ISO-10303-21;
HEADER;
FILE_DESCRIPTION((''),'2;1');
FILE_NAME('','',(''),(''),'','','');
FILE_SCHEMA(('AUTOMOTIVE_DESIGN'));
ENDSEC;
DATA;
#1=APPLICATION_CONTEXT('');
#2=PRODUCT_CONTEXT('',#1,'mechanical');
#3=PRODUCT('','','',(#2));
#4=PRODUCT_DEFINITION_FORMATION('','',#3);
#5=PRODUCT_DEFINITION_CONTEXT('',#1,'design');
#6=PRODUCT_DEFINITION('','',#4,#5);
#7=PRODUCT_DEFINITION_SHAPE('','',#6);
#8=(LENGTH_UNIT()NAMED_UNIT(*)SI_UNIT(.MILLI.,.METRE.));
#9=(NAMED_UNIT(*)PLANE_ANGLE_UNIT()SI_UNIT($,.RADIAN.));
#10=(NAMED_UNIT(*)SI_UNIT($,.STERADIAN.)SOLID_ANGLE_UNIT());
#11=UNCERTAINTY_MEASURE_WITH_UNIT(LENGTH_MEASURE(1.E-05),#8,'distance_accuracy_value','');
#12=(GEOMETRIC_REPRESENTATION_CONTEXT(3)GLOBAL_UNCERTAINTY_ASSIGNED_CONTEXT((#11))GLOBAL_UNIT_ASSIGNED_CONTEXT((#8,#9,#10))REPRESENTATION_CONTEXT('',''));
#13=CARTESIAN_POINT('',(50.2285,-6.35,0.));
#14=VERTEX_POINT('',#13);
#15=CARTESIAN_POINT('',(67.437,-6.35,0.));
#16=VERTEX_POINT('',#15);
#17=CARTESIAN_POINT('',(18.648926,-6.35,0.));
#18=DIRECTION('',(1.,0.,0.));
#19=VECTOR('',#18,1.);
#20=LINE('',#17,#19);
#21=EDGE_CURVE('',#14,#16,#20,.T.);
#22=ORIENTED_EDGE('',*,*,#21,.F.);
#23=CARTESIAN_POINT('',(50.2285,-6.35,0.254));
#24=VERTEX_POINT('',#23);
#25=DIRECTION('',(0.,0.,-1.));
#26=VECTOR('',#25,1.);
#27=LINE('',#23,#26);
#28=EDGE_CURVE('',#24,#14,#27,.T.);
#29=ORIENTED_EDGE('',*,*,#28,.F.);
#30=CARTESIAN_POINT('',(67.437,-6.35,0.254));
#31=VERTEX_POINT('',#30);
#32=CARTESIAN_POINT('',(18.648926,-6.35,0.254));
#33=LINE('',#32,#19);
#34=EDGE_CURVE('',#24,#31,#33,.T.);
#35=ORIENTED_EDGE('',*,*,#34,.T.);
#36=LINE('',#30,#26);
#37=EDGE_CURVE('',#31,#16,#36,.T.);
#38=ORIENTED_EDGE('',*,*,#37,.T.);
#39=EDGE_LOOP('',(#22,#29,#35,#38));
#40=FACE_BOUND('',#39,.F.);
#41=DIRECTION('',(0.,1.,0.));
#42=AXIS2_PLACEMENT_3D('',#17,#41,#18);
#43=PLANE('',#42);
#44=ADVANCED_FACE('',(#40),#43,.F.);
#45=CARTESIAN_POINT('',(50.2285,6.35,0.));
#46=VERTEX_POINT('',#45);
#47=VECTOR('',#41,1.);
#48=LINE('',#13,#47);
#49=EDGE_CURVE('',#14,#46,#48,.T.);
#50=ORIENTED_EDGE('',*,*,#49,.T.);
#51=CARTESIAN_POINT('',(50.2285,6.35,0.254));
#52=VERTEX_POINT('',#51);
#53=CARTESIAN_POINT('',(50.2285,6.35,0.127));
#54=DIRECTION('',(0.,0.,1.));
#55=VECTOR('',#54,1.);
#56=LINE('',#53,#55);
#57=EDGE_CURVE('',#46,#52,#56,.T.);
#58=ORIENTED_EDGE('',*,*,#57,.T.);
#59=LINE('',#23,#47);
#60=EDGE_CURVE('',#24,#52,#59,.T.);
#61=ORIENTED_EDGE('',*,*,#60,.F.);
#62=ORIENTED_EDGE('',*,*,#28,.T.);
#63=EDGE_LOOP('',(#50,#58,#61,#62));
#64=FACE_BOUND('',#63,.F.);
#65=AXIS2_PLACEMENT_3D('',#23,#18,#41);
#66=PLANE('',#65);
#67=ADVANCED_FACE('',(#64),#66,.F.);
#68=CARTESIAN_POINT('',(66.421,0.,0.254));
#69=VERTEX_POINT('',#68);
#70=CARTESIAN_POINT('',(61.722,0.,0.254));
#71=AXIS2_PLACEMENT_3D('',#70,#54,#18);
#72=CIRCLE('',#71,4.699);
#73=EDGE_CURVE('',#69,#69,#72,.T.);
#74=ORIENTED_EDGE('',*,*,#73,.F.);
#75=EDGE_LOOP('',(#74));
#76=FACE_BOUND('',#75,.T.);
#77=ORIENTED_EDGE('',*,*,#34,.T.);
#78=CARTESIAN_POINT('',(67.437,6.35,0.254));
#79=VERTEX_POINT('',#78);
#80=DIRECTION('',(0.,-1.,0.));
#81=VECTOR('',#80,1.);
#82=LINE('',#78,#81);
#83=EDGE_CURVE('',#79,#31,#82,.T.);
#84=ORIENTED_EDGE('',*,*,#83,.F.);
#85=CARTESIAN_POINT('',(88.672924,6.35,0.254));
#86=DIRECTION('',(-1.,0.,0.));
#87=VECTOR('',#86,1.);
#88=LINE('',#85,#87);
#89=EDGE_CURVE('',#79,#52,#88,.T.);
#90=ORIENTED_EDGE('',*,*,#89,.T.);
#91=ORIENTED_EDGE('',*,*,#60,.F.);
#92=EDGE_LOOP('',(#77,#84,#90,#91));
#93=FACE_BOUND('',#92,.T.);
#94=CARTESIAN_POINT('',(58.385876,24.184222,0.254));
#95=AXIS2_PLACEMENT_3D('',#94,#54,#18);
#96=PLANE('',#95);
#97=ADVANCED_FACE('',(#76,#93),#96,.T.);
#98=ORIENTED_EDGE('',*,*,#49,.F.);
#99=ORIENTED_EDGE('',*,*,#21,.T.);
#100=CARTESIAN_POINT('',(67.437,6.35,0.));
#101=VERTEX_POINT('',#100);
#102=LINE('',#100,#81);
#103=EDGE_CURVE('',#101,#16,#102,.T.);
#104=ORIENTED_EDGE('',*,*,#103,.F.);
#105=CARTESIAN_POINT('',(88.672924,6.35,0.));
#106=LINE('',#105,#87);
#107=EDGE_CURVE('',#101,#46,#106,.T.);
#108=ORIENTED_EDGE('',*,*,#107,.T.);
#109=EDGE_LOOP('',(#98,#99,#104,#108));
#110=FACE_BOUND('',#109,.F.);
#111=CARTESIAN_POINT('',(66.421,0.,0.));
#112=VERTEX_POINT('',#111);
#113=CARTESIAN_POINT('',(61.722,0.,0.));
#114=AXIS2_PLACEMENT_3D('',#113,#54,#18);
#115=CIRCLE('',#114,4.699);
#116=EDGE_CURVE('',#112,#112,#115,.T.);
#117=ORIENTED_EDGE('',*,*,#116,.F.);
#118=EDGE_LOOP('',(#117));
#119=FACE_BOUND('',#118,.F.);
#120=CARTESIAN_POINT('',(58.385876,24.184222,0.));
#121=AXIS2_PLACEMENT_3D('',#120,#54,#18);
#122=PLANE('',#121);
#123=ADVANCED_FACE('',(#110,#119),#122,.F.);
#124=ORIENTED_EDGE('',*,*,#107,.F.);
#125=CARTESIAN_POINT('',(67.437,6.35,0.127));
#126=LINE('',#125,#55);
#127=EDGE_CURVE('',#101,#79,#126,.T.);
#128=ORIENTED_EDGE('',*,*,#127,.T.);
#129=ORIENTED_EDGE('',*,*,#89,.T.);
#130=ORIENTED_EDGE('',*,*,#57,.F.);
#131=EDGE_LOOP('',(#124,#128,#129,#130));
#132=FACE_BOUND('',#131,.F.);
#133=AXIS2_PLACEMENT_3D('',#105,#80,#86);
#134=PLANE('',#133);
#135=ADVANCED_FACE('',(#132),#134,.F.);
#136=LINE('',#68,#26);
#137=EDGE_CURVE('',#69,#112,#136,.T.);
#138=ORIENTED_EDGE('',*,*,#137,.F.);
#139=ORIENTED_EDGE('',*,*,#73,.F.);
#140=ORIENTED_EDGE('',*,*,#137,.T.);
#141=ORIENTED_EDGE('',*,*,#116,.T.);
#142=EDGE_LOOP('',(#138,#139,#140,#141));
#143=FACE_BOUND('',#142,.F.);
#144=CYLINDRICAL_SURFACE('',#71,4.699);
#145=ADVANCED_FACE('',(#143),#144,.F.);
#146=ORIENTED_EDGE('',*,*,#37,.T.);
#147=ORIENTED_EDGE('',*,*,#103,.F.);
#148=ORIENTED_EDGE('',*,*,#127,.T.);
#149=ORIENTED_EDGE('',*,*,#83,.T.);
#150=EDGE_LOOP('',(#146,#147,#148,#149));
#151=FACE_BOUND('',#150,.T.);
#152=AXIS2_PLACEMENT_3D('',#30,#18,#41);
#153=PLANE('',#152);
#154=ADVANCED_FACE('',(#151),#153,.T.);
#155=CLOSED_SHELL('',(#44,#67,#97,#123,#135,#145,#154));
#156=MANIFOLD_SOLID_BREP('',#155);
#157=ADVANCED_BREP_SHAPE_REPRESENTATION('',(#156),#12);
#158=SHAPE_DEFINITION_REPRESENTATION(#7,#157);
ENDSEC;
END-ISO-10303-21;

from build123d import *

# Parameters (mm, degrees)
BOSS_EXTRUDE1_DEPTH = 0.254
SKETCH2_R           = 4.699
CUT_EXTRUDE1_DEPTH  = 1.254
SKETCH3_W           = 2.54
SKETCH3_H           = 0.635
CUT_EXTRUDE2_DEPTH  = 1.254
SKETCH5_OUTSIDE_W   = 121.447
SKETCH5_OUTSIDE_H   = 109.618
SKETCH5_OUTSIDE_W_2 = 17.2085
SKETCH5_OUTSIDE_H_2 = 15.24
CUT_EXTRUDE5_DEPTH  = 1.254


with BuildPart() as part:
    # Sketch1 → Boss-Extrude1 (new body)
    with BuildSketch(Plane.XY):
        with BuildLine():
            Line((67.21146711, 76.191723231), (8.696654013, 17.676910134))
            Line((8.696654013, 17.676910134), (7.228954972, 14.133571205))
            ThreePointArc((7.228954972, 14.133571205), (14.666587579, 6.075099489), (15.105587123, -4.88230096))
            Line((15.105587123, -4.88230096), (18.648926052, -6.35))
            Line((18.648926052, -6.35), (101.401368334, -6.35))
            ThreePointArc((101.401368334, -6.35), (93.866160503, 38.880636728), (67.21146711, 76.191723231))
        make_face()
        with BuildLine():
            Line((88.672924278, 6.35), (27.86051193, 6.35))
            ThreePointArc((27.86051193, 6.35), (26.399857642, 10.93517908), (24.190484974, 15.210228852))
            Line((24.190484974, 15.210228852), (67.191354125, 58.211098004))
            ThreePointArc((67.191354125, 58.211098004), (82.13289044, 34.020557137), (88.672924278, 6.35))
        make_face(mode=Mode.SUBTRACT)
    extrude(amount=BOSS_EXTRUDE1_DEPTH)

    # Sketch2 → Cut-Extrude1 (cut, through all)
    with BuildSketch(Plane.XY.offset(0.254)):
        with Locations((22.225, 0)):
            Circle(SKETCH2_R)
        with Locations((36.195, 0)):
            Circle(SKETCH2_R)
        with Locations((61.722, 0)):
            Circle(SKETCH2_R)
        with Locations((75.692, 0)):
            Circle(SKETCH2_R)
        with Locations((95.25, 0)):
            Circle(SKETCH2_R)
        with Locations((15.715448212, 15.715448212)):
            Circle(SKETCH2_R)
        with Locations((25.593729945, 25.593729945)):
            Circle(SKETCH2_R)
        with Locations((43.644044748, 43.644044748)):
            Circle(SKETCH2_R)
        with Locations((53.522326482, 53.522326482)):
            Circle(SKETCH2_R)
        with Locations((92.004434954, 24.652514046)):
            Circle(SKETCH2_R)
        with Locations((82.48891971, 47.625)):
            Circle(SKETCH2_R)
        with Locations((67.351920908, 67.351920908)):
            Circle(SKETCH2_R)
    extrude(amount=-CUT_EXTRUDE1_DEPTH, mode=Mode.SUBTRACT)

    # Sketch3 → Cut-Extrude2 (cut, through all)
    with BuildSketch(Plane.XY.offset(0.254)):
        Polygon((15.266435406, 24.246691527), (17.06248663, 26.042742751), (17.511499436, 25.593729945), (15.715448212, 23.797678721), align=None)
        Polygon((44.991083167, 53.971339288), (43.195031942, 52.175288063), (43.644044748, 51.726275257), (45.440095973, 53.522326482), align=None)
        with Locations((29.21, -6.0325)):
            Rectangle(SKETCH3_W, SKETCH3_H)
        with Locations((68.707, -6.0325)):
            Rectangle(SKETCH3_W, SKETCH3_H)
        Polygon((29.230733674, 38.210989795), (31.026784898, 40.007041019), (31.475797704, 39.558028213), (29.67974648, 37.761976989), align=None)
        Polygon((56.845021246, 65.825277367), (55.048970022, 64.029226143), (55.497982828, 63.580213337), (57.294034052, 65.376264561), align=None)
        with Locations((48.9585, -6.0325)):
            Rectangle(SKETCH3_W, SKETCH3_H)
        with Locations((85.471, -6.0325)):
            Rectangle(SKETCH3_W, SKETCH3_H)
        Polygon((99.935462164, 14.437711971), (100.266998693, 11.919442024), (101.526133667, 12.085210288), (101.194597138, 14.603480236), align=None)
        Polygon((93.765504959, 37.464305742), (94.938831965, 37.950313702), (93.966816047, 40.296967714), (92.793489041, 39.810959755), align=None)
        Polygon((79.327792988, 62.471156422), (80.874047017, 60.456038938), (81.88160576, 61.229165953), (80.33535173, 63.244283437), align=None)
        Polygon((13.593916116, 7.005422516), (14.565932035, 4.658768503), (15.739259041, 5.144776462), (14.767243123, 7.491430475), align=None)
    extrude(amount=-CUT_EXTRUDE2_DEPTH, mode=Mode.SUBTRACT)

    # Sketch5 outside → Cut-Extrude5 (cut, through all)
    with BuildSketch(Plane.XY.offset(0.254)):
        with Locations((54.4145, 34.921)):
            Rectangle(SKETCH5_OUTSIDE_W, SKETCH5_OUTSIDE_H)
        with Locations((58.83275, 0)):
            Rectangle(SKETCH5_OUTSIDE_W_2, SKETCH5_OUTSIDE_H_2, mode=Mode.SUBTRACT)
    extrude(amount=-CUT_EXTRUDE5_DEPTH, mode=Mode.SUBTRACT)


solid = part.part
